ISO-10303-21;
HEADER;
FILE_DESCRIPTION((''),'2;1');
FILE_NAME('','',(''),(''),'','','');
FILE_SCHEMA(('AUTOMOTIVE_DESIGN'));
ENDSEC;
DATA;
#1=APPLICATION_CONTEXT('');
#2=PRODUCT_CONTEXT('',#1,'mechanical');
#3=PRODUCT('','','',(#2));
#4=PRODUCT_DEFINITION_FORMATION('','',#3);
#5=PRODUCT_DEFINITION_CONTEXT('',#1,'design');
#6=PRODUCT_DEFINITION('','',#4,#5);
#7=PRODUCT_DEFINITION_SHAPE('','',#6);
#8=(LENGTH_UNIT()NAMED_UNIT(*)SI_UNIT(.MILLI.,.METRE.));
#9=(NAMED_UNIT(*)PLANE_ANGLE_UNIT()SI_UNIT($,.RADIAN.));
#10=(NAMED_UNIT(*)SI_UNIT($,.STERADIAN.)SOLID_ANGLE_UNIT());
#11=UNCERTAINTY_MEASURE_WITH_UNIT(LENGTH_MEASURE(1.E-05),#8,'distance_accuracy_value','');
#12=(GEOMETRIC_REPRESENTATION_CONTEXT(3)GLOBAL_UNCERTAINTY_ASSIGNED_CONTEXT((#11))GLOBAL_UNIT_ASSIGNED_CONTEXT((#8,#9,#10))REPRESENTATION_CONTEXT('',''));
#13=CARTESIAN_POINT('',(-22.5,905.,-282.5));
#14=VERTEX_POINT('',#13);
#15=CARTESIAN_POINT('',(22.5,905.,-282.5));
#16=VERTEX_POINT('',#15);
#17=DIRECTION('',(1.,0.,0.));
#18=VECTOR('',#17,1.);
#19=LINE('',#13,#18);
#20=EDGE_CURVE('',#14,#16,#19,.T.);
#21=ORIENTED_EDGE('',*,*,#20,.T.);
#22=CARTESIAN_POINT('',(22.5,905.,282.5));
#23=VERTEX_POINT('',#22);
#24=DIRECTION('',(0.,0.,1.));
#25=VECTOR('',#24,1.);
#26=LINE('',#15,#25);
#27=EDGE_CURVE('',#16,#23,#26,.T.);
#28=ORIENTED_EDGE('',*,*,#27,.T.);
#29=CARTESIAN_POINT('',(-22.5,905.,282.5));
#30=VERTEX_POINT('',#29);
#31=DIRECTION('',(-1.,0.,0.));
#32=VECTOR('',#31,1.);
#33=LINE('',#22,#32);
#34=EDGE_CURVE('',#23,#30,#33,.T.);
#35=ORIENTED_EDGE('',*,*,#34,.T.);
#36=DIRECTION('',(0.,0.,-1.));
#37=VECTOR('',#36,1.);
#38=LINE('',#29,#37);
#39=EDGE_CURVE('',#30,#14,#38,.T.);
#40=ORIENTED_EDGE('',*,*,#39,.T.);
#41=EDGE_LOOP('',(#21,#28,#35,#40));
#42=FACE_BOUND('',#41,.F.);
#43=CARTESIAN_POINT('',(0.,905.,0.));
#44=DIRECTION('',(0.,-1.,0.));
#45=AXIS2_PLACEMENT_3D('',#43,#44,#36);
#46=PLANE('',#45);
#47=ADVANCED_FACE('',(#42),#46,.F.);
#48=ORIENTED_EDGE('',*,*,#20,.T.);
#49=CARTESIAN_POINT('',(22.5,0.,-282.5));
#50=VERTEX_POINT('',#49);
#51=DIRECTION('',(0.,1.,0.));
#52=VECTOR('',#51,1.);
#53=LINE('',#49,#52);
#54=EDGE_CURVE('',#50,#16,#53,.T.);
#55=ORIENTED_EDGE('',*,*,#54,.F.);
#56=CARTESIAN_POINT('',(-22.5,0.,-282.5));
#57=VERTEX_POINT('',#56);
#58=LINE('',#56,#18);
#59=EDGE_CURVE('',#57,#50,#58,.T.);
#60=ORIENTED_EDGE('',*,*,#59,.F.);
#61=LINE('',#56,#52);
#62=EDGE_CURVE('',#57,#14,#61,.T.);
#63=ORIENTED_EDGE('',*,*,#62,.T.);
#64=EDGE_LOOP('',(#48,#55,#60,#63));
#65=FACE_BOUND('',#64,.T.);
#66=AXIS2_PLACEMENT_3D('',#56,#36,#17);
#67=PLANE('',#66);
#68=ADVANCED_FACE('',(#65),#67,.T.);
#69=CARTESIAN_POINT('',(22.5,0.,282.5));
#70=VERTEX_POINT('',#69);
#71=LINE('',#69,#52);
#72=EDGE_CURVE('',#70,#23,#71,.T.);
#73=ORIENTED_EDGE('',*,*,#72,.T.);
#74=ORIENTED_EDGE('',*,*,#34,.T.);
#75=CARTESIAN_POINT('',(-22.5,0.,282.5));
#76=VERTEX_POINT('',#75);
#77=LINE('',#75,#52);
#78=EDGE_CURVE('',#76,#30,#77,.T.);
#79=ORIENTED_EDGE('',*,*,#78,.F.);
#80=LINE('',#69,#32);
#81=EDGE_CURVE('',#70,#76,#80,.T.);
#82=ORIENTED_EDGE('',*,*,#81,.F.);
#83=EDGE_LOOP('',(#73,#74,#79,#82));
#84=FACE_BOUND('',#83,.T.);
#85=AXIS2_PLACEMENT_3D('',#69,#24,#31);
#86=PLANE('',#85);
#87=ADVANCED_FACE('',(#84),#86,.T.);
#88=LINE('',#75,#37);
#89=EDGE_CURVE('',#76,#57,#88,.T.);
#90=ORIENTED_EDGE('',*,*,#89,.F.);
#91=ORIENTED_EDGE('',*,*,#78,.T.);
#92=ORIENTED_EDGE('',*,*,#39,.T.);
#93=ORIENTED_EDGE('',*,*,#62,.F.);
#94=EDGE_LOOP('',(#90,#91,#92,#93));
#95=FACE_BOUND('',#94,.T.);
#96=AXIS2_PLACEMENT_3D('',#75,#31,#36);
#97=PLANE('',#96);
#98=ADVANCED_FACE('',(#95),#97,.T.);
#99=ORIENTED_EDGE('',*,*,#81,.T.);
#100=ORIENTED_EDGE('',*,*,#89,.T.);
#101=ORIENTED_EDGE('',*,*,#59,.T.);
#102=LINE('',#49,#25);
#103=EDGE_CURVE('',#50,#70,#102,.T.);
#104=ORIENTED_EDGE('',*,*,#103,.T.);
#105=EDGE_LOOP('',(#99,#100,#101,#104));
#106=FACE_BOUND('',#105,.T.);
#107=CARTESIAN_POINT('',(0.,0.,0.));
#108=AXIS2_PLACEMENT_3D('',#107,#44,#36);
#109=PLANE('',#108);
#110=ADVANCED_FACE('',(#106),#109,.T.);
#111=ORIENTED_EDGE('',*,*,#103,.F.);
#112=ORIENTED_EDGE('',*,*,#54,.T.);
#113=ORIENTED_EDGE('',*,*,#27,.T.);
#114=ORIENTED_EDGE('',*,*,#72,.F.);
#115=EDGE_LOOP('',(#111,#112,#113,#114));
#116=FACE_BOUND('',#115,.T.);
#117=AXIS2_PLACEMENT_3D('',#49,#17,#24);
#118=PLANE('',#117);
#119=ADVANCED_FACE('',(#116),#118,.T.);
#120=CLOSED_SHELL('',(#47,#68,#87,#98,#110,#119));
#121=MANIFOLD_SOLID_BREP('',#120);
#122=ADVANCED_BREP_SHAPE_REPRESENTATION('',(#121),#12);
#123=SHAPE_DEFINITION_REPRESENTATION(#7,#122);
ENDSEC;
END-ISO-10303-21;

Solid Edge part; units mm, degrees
sketch "Sketch1" plane through (0, 0, 0) normal (0, -1, 0) x (1, 0, 0)
  line L0 (-22.5, -282.5) -> (22.5, -282.5)
  line L1 (22.5, -282.5) -> (22.5, 282.5)
  line L2 (22.5, 282.5) -> (-22.5, 282.5)
  line L3 (-22.5, 282.5) -> (-22.5, -282.5)
extrude "Protrusion1" add sketch "Sketch1" against normal blind 905
